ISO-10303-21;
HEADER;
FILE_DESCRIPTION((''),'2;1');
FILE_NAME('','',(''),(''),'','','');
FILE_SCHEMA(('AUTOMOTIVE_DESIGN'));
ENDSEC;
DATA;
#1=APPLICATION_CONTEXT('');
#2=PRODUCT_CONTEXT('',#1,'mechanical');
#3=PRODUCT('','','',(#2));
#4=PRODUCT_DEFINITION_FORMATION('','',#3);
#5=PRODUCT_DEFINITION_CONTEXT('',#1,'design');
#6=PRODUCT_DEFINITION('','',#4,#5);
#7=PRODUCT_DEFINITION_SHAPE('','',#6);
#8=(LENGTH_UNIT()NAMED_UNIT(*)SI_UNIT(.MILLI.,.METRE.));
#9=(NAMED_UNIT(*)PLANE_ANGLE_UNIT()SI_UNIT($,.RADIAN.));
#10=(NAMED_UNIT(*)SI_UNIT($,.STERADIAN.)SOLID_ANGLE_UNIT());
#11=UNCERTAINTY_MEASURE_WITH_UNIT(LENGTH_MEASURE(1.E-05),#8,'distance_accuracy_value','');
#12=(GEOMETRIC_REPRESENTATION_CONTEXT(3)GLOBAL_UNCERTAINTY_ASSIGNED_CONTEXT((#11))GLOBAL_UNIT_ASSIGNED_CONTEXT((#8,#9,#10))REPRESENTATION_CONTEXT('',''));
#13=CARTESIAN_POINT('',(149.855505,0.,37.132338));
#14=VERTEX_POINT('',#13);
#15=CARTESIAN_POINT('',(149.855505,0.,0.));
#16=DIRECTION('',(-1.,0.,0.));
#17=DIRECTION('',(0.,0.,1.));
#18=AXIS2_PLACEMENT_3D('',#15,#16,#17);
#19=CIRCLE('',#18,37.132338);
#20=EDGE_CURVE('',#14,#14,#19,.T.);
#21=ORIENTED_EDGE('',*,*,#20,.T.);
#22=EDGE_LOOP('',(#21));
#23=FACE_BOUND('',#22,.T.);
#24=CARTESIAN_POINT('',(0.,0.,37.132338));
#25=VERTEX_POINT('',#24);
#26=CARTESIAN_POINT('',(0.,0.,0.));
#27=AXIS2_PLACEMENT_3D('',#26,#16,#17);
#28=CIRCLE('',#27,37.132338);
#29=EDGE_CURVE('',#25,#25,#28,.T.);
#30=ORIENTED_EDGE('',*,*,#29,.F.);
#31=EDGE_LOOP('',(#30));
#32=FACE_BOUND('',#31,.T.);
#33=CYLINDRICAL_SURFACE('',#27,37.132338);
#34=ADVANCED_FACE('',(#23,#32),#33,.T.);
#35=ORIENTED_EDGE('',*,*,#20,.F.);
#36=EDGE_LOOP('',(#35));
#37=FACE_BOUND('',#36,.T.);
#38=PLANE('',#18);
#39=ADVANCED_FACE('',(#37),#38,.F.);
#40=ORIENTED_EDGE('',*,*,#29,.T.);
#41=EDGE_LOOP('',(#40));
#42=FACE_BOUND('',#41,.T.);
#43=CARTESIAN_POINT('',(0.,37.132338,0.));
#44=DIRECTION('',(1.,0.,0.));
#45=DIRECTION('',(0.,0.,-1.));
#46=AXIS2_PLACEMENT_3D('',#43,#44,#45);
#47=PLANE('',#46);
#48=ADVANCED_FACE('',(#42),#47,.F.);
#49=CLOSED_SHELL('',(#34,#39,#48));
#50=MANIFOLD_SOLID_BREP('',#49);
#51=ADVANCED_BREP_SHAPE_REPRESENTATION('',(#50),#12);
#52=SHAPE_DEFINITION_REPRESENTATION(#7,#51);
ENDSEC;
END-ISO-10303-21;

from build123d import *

# Parameters (mm, degrees)
SZKIC1_W = 149.855505277
SZKIC1_H = 37.132337591


with BuildPart() as part:
    # Szkic1 → Obrót1 (revolve)
    with BuildSketch(Plane.XY, mode=Mode.PRIVATE) as obr_t1_sk:
        with Locations((74.927752639, 18.566168796)):
            Rectangle(SZKIC1_W, SZKIC1_H)
    revolve(obr_t1_sk.sketch.rotate(Axis((0, 0, 0), (1, 0, 0)), 90), axis=Axis((0, 0, 0), (1, 0, 0)))


solid = part.part
